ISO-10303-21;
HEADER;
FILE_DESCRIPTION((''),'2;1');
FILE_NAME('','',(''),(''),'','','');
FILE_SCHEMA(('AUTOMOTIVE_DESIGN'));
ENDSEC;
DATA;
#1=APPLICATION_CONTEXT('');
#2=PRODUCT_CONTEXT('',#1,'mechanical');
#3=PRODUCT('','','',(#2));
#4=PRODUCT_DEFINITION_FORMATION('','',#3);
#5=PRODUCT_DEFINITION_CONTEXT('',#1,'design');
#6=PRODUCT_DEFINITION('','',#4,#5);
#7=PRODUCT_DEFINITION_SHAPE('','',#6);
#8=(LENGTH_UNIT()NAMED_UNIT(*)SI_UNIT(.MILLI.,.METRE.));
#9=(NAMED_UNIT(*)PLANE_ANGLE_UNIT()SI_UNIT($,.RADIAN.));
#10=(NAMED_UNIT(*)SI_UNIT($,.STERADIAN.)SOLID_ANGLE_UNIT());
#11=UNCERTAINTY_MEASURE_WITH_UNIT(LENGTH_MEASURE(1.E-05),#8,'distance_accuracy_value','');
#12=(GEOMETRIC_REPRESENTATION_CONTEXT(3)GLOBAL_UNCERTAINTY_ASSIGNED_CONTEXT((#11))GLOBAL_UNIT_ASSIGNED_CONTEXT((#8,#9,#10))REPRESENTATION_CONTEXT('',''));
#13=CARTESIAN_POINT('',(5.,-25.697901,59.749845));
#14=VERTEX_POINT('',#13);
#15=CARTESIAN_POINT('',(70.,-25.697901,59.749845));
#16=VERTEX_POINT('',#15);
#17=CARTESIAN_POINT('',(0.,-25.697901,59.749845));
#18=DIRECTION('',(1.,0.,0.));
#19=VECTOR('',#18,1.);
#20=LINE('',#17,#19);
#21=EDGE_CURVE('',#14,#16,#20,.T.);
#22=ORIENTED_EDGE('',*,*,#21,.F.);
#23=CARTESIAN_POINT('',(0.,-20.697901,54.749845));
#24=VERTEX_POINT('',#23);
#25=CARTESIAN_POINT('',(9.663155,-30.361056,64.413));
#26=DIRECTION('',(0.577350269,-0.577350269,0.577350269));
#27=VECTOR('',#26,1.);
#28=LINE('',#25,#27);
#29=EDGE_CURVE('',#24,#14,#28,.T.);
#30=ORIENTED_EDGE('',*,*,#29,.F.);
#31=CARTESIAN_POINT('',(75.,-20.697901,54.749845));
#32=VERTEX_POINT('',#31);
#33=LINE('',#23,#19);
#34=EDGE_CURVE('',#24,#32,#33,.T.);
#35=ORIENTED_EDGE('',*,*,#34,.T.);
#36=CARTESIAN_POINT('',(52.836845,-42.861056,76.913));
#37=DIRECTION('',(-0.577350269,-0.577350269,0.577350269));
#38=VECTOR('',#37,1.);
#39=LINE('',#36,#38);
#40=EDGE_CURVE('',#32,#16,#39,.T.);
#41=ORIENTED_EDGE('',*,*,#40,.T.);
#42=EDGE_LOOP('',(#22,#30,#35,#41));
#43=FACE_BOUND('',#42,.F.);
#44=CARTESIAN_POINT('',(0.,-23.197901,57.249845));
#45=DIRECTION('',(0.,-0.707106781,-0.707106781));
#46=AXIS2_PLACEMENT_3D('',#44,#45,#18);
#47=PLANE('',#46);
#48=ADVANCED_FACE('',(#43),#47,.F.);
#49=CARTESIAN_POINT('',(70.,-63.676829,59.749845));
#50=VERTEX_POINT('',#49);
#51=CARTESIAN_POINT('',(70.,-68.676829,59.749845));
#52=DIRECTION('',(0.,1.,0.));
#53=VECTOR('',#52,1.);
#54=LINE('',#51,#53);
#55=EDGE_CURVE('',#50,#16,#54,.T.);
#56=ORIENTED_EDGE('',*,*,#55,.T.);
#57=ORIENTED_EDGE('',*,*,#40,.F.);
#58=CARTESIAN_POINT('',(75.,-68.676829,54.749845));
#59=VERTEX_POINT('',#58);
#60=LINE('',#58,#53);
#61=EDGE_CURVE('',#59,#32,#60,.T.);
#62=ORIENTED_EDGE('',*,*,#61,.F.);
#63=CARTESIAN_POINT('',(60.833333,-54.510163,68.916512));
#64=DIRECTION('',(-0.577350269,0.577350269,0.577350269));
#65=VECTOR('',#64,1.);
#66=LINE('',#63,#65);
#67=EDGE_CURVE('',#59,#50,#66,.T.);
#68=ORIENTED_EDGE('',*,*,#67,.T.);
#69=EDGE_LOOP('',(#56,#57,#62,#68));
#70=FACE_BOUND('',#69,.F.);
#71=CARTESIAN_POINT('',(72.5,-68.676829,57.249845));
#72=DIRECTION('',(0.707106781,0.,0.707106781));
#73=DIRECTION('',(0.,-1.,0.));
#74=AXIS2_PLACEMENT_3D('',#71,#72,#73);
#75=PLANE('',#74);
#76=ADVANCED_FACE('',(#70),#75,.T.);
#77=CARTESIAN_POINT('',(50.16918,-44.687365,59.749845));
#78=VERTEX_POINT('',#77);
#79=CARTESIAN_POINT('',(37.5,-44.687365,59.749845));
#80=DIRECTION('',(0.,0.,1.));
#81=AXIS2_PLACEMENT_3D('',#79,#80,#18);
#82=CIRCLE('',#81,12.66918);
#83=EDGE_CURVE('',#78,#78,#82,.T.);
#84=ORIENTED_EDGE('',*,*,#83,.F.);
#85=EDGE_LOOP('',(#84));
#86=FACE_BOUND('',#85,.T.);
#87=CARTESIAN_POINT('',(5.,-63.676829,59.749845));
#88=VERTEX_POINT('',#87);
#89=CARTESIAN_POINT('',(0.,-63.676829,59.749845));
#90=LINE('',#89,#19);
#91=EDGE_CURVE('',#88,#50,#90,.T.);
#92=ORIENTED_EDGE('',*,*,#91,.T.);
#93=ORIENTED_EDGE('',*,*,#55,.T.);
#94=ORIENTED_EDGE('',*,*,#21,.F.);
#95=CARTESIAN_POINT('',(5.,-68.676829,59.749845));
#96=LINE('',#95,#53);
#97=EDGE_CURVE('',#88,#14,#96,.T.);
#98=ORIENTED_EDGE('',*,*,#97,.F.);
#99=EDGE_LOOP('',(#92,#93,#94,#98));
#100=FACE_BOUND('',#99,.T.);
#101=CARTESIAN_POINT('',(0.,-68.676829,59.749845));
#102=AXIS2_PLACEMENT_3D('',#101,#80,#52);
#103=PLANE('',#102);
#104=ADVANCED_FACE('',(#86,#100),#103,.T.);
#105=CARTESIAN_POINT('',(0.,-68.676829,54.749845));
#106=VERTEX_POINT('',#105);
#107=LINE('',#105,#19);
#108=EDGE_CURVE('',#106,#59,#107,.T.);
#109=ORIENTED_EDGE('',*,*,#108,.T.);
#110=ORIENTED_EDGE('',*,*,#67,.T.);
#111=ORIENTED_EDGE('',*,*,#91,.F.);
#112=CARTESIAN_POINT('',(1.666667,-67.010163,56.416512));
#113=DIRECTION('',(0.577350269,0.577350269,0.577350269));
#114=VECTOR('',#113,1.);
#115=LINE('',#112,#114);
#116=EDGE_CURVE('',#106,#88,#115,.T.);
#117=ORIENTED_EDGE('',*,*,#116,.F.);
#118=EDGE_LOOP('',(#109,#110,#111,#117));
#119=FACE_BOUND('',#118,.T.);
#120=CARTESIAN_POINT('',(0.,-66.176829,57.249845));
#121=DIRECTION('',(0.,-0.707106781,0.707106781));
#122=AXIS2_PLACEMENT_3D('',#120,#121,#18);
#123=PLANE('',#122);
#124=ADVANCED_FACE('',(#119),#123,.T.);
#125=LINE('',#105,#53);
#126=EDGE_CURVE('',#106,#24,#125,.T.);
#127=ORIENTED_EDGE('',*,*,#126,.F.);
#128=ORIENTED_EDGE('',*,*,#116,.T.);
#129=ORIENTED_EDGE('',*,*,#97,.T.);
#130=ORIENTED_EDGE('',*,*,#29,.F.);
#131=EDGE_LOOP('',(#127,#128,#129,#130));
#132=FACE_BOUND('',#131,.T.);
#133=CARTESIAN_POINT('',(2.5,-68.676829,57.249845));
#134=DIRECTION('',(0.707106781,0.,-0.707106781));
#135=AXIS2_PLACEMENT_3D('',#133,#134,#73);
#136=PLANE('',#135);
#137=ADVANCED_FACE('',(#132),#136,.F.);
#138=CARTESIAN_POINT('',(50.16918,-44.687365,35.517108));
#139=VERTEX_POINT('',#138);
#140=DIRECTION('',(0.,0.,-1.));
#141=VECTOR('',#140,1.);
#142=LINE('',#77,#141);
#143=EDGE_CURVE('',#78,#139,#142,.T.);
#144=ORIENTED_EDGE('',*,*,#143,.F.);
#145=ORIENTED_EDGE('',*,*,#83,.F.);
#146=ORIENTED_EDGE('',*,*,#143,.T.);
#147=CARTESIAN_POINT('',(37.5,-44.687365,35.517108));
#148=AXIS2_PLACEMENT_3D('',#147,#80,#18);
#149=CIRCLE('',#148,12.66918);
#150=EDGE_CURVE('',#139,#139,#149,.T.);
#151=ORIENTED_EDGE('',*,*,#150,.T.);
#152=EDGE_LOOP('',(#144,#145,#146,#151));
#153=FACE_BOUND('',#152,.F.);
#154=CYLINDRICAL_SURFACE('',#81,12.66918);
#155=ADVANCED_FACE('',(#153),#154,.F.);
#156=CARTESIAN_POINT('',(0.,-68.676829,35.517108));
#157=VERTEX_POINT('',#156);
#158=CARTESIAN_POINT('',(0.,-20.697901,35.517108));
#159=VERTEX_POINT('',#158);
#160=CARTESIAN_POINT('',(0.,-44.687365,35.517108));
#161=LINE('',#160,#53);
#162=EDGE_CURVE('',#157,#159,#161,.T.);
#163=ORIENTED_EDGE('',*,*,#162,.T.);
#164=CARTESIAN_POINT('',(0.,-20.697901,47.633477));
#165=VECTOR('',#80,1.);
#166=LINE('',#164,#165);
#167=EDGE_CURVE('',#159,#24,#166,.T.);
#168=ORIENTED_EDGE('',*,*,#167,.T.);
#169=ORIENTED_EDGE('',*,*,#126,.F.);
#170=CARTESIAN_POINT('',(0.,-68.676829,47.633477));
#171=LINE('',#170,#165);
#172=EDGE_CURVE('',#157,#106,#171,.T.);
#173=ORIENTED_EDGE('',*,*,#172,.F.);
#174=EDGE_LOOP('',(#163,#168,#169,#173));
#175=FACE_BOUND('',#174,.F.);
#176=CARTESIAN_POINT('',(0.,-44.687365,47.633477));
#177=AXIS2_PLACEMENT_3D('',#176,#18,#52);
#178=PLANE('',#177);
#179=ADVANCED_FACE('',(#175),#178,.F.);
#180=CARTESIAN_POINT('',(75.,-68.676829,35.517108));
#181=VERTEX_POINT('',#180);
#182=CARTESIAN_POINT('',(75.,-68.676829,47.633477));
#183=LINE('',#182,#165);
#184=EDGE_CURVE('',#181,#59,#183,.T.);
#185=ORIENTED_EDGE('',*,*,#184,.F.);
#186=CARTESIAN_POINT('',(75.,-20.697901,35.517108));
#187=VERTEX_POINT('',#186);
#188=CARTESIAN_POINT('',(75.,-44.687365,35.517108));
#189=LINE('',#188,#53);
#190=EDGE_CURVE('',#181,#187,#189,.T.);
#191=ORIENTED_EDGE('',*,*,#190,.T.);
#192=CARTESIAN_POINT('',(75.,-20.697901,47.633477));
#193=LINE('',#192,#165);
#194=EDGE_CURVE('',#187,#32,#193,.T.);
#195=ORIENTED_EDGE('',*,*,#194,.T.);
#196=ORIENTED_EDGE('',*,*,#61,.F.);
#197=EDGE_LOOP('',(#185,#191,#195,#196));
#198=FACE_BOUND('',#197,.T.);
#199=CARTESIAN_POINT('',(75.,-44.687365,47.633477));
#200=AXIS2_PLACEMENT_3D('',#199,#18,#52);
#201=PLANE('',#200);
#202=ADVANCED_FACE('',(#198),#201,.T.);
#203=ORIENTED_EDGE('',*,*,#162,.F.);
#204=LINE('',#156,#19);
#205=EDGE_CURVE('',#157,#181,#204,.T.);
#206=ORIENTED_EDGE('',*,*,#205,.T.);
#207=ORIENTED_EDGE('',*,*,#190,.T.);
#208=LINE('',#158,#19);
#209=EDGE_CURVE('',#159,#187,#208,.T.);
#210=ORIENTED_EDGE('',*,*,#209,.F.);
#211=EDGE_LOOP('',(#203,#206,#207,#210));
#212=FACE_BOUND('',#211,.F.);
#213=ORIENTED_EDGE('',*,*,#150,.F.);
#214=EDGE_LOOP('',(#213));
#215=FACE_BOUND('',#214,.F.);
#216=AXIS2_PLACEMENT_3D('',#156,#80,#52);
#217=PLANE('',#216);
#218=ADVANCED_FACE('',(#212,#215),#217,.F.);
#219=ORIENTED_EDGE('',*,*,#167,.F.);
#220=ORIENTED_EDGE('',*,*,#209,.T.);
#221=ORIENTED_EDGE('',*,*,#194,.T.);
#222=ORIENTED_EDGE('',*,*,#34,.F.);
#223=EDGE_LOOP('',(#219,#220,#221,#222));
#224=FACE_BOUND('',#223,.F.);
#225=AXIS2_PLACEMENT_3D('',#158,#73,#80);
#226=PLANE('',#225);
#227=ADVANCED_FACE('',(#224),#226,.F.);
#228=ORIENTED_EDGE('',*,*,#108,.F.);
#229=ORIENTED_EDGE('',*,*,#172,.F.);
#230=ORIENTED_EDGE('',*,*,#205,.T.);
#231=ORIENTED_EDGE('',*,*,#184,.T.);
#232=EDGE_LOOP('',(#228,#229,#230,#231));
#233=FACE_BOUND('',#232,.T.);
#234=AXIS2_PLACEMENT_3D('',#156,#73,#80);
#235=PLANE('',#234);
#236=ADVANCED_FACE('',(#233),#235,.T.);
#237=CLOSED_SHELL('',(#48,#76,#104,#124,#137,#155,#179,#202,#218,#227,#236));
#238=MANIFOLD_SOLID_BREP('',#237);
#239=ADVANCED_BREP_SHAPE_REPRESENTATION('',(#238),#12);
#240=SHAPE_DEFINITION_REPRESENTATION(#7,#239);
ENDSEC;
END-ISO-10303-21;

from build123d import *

# Parameters (mm, degrees)
F0_W     = 47.9789283127
F0_H     = 24.23273772
F1_DEPTH = 75
F2_SIZE  = 5
F3_R     = 12.6691800878
F4_DEPTH = 24.23273772


with BuildPart() as f1:
    # F0 (on Right) → F1 (new body)
    with BuildSketch(Plane.YZ):
        with Locations((-44.6873651817, 47.6334765553)):
            Rectangle(F0_W, F0_H)
    extrude(amount=F1_DEPTH)

    # F2
    f2_edges = [f1.edges().sort_by_distance(p)[0] for p in [
        (37.5, -68.676829, 59.749845),
        (37.5, -20.697901, 59.749845),
        (75, -44.687365, 59.749845),
        (0, -44.687365, 59.749845),
    ]]
    chamfer(f2_edges, length=F2_SIZE)

    # F3 (on face) → F4 (cut, through all)
    with BuildSketch(Plane.XY.offset(59.7498454154)):
        with Locations((37.5, -44.6873651817)):
            Circle(F3_R)
    extrude(amount=-F4_DEPTH, mode=Mode.SUBTRACT)


solid = f1.part
